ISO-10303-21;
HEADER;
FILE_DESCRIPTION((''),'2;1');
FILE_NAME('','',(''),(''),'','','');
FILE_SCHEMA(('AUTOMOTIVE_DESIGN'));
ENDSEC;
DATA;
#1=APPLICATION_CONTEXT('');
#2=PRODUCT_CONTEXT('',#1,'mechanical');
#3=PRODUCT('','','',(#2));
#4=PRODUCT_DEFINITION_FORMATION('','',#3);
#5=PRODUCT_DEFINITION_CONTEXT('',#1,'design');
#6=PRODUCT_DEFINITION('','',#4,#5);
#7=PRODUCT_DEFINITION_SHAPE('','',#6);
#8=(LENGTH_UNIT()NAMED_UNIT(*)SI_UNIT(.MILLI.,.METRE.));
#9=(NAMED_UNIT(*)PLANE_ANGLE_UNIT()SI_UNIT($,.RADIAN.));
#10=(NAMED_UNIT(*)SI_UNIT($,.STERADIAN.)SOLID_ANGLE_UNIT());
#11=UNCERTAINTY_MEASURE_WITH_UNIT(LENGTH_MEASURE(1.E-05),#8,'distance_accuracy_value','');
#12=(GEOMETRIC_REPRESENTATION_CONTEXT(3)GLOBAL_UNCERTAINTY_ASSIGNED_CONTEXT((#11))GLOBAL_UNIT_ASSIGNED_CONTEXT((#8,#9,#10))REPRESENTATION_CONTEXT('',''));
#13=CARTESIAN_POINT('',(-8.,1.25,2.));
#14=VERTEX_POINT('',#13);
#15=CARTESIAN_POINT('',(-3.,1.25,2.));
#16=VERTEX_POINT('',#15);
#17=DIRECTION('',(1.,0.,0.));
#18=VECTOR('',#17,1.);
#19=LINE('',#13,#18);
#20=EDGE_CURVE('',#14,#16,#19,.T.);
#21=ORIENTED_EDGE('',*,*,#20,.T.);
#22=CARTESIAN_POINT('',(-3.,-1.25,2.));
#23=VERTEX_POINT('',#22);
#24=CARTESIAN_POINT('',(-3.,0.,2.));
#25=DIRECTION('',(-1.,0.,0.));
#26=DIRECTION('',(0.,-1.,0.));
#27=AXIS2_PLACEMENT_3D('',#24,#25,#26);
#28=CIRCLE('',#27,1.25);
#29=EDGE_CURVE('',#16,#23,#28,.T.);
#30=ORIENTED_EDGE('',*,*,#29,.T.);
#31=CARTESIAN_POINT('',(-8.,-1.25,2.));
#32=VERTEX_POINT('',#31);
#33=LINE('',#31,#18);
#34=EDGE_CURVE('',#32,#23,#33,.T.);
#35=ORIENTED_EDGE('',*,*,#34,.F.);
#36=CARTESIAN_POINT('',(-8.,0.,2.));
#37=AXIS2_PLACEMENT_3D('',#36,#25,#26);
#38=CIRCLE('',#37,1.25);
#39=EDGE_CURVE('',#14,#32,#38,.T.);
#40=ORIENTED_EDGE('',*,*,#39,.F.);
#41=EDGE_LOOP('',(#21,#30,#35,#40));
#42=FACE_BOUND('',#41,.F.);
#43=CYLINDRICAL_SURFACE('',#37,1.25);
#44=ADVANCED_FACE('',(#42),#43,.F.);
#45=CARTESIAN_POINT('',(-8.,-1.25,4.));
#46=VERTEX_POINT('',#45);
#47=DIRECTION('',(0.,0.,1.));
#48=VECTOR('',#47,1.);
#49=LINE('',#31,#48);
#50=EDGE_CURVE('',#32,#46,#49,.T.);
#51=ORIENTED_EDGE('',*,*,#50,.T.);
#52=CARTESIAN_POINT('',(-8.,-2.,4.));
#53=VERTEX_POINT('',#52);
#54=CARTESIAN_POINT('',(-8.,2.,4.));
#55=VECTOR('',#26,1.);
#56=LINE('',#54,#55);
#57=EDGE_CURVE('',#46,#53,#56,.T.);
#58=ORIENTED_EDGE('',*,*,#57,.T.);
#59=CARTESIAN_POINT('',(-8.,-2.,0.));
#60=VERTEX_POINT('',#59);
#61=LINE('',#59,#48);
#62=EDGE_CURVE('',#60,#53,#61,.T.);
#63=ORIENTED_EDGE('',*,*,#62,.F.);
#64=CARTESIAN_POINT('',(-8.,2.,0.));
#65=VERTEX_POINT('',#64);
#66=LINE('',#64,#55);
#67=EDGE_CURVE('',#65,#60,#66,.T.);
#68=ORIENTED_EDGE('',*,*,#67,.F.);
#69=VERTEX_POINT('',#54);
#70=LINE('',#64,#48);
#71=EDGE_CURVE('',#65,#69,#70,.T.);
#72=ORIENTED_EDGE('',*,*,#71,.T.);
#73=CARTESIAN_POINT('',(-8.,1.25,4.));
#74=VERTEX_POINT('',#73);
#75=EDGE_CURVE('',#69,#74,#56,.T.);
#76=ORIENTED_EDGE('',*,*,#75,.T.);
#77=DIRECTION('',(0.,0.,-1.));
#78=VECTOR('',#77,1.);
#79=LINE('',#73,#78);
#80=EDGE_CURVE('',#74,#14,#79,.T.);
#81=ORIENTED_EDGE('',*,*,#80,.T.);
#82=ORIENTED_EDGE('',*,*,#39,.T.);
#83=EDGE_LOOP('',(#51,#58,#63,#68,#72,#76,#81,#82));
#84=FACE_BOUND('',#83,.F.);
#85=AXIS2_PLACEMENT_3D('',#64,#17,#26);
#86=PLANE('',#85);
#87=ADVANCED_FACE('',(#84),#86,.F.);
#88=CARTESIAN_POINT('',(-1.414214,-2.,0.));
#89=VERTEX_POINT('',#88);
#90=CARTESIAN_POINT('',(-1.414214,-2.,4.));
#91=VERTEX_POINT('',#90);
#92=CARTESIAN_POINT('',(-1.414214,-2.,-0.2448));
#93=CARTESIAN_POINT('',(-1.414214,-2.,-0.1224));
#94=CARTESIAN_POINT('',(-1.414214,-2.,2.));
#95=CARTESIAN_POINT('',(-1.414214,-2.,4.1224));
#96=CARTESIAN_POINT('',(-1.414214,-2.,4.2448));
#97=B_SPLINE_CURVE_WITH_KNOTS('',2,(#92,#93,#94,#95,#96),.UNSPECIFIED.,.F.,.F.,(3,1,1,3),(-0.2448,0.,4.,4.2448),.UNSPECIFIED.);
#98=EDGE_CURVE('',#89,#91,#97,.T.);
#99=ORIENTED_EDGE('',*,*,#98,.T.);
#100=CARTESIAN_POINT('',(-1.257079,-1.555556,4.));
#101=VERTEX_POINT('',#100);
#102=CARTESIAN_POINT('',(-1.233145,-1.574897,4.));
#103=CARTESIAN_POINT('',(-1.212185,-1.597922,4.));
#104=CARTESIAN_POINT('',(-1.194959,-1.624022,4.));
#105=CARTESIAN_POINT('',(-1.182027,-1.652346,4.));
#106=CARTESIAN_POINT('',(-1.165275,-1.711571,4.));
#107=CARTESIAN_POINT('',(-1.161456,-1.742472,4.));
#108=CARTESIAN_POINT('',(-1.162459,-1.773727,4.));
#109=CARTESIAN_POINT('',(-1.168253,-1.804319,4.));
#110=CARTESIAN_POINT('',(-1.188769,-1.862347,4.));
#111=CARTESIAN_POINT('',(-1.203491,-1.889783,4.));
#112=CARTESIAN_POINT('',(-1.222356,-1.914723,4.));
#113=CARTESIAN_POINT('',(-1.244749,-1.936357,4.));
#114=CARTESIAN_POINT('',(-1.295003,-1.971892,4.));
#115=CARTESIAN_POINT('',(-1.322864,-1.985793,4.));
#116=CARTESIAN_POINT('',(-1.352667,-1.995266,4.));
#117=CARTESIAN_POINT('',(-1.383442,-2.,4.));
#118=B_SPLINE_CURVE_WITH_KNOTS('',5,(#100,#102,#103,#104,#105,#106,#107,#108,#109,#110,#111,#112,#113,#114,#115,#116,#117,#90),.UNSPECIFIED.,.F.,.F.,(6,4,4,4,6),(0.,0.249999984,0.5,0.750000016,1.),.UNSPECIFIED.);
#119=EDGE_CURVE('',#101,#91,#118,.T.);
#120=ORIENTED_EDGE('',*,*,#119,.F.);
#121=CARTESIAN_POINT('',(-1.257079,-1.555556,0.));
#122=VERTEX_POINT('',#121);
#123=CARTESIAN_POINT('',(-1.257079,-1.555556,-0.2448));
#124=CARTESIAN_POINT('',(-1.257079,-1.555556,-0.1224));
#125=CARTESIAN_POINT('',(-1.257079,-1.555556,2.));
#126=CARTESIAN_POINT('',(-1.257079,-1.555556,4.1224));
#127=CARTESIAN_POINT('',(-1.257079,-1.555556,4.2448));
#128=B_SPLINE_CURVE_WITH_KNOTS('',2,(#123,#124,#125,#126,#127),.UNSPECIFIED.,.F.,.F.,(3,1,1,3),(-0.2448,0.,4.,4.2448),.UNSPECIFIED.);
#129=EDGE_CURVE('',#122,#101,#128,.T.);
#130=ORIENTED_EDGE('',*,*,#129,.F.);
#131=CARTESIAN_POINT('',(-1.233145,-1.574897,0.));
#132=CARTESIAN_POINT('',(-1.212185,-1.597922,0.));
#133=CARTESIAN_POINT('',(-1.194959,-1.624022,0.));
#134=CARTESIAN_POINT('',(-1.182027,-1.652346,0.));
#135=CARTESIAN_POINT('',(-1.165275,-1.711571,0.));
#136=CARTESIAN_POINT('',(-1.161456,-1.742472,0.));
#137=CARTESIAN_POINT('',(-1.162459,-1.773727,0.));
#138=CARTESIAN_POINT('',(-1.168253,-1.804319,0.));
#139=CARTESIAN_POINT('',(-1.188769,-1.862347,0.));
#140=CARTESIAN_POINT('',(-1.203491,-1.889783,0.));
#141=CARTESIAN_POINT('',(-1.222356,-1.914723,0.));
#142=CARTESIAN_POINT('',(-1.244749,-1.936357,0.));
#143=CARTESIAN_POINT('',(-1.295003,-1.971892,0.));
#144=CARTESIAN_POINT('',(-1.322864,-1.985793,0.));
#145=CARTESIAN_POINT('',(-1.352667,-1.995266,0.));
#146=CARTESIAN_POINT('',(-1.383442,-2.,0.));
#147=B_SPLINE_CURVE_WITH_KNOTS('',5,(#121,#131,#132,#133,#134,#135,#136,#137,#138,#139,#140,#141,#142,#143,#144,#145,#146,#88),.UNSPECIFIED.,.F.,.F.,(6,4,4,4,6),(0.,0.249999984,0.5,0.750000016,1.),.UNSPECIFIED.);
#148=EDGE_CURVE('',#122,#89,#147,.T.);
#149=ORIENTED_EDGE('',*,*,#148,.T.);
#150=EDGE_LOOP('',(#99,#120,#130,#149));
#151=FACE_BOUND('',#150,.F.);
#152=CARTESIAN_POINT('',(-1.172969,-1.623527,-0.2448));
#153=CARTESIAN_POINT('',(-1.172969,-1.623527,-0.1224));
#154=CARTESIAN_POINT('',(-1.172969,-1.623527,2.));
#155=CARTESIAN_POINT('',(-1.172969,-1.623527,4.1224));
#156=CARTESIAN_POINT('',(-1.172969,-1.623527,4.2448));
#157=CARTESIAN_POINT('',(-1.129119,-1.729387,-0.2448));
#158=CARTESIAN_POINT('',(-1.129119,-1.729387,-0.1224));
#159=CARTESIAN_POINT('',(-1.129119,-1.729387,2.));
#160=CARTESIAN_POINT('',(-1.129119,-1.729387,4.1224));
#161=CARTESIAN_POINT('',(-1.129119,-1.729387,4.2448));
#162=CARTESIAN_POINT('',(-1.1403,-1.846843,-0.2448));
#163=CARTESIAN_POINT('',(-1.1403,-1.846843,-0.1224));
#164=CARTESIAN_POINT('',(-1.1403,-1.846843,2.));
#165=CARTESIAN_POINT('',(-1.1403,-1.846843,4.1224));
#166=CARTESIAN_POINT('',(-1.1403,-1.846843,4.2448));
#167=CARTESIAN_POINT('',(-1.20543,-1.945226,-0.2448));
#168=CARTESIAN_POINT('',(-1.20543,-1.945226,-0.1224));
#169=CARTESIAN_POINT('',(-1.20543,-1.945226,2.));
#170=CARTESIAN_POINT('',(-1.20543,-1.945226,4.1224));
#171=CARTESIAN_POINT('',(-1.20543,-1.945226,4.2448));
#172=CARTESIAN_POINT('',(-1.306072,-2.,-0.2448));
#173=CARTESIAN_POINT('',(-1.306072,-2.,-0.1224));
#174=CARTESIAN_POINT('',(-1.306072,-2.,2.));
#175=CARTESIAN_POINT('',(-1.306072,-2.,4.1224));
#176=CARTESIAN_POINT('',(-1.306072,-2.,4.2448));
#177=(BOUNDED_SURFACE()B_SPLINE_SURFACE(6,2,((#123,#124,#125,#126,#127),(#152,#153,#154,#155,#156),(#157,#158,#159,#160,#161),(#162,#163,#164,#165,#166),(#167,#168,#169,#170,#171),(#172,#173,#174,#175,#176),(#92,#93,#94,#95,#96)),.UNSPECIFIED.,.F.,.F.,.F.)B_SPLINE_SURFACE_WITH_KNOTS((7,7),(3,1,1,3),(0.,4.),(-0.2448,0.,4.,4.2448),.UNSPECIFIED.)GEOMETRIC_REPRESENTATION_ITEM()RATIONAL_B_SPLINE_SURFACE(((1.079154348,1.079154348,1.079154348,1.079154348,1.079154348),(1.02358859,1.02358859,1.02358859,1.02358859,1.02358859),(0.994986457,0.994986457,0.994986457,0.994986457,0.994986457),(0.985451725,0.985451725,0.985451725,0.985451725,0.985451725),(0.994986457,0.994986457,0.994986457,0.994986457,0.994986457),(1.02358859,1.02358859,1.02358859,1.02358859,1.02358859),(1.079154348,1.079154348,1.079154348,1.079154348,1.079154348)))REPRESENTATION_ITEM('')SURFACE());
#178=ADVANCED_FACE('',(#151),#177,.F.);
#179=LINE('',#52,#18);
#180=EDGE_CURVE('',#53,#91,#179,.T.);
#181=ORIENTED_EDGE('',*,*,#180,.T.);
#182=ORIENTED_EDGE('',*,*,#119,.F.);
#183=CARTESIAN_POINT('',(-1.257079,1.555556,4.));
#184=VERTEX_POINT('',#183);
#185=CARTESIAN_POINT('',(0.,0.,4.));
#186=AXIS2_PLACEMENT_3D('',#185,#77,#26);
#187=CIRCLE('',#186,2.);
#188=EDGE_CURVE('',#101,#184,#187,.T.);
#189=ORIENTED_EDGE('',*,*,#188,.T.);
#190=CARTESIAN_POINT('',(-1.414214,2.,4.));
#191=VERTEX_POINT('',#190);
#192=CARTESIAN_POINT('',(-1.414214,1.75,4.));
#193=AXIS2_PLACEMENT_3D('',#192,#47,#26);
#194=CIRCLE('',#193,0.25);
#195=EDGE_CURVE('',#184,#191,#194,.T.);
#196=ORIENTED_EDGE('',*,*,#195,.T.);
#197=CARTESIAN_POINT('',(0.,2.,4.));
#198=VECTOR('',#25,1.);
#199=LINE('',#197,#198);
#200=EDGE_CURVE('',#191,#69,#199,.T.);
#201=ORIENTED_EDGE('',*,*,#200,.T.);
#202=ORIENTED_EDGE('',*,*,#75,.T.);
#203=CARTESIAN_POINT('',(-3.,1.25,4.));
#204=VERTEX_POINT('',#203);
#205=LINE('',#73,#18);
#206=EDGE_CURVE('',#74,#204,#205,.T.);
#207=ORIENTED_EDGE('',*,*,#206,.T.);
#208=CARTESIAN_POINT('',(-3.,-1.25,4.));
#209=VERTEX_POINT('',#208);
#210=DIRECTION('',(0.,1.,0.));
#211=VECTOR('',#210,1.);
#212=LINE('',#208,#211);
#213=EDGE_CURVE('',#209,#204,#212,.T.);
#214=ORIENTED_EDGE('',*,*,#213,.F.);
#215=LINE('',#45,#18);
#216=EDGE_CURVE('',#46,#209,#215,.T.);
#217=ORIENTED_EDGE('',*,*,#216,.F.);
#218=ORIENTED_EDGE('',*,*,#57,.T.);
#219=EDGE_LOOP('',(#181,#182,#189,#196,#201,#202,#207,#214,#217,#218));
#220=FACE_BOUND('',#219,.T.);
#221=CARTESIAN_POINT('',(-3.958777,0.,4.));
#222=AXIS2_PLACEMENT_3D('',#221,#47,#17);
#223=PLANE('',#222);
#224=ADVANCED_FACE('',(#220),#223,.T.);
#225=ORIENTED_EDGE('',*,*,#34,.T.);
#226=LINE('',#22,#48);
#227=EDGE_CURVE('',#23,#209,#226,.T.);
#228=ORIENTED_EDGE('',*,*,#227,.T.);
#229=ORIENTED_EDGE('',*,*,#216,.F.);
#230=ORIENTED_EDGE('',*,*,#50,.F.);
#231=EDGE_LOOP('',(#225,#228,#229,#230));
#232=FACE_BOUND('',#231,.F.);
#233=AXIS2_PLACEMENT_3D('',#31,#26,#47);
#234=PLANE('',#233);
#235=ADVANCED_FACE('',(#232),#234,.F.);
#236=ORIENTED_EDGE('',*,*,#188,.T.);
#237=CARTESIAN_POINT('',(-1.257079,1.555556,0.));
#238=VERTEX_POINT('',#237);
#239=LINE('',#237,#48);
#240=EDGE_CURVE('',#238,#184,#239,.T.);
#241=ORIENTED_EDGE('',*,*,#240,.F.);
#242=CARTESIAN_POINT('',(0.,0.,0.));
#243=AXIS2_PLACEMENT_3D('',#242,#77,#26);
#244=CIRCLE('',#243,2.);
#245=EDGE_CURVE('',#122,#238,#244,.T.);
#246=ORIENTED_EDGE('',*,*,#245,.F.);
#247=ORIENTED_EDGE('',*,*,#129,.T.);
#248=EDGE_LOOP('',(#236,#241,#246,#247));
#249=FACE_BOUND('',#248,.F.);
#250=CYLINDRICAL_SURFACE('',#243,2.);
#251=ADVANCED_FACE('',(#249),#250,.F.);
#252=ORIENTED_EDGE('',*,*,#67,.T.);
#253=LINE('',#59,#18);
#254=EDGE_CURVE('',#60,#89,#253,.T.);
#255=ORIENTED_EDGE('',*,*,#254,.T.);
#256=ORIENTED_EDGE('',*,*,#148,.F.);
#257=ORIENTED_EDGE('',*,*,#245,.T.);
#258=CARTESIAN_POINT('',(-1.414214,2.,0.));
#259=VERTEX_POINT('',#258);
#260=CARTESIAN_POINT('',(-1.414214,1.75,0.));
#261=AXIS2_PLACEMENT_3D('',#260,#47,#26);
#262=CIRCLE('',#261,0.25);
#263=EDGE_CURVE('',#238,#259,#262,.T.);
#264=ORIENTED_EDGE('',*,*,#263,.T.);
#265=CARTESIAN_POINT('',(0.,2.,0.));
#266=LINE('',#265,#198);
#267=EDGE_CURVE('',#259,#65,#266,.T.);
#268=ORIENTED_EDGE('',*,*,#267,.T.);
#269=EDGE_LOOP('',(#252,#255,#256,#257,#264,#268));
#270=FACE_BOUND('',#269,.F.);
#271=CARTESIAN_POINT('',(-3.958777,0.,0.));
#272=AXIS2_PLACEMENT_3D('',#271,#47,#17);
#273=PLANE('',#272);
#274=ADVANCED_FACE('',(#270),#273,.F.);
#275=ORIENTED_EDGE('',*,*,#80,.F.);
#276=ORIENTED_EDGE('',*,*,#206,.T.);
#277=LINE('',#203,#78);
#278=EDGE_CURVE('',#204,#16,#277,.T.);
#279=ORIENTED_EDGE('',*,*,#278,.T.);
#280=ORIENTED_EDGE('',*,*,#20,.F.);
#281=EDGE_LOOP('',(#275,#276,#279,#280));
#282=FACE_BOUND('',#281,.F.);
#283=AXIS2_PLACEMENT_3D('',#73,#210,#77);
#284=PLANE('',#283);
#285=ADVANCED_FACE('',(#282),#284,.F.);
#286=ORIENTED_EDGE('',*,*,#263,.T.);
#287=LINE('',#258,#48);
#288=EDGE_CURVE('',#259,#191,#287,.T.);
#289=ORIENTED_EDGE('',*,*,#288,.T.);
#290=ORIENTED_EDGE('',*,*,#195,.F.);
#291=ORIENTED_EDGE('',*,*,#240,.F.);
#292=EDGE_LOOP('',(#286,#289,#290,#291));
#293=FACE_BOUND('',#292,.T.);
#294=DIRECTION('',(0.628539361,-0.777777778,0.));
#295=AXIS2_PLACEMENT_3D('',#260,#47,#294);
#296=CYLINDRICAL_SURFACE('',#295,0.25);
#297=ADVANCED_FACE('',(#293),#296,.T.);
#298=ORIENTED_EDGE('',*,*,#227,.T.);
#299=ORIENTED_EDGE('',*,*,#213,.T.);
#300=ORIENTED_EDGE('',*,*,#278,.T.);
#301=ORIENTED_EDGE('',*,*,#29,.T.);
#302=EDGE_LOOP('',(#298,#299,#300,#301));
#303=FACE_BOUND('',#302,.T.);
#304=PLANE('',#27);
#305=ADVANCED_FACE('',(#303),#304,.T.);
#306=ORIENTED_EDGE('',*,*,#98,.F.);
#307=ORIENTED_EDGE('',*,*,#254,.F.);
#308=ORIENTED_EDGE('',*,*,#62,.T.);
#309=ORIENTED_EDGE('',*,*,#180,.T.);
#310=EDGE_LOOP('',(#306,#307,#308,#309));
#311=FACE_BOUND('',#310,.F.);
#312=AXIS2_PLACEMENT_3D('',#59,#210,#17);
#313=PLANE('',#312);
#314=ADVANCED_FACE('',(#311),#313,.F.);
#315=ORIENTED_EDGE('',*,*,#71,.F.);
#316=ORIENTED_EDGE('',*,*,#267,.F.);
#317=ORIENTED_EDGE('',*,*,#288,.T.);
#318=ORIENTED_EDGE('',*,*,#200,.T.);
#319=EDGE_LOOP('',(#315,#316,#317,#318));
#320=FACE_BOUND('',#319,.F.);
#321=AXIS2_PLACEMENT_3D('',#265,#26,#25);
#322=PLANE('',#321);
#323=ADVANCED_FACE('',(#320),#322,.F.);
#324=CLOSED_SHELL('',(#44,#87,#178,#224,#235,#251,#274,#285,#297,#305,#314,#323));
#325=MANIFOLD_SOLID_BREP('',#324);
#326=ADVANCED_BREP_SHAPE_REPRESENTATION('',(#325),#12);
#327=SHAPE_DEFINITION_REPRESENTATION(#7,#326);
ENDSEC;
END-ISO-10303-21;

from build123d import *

# Parameters (mm, degrees)
F1_DEPTH = 4
F3_DEPTH = 5
F4_R     = 0.25


with BuildPart() as f1:
    # F0 (on Top) → F1 (new body)
    with BuildSketch(Plane.XY):
        with BuildLine():
            ThreePointArc((0, -2), (-2, 0), (0, 2))
            Line((0, 2), (-8, 2))
            Line((-8, 2), (-8, -2))
            Line((-8, -2), (0, -2))
        make_face()
    extrude(amount=F1_DEPTH)

    # F2 (on face) → F3 (cut)
    with BuildSketch(Plane(origin=(-8, 0, 0), x_dir=(0, -1, 0), z_dir=(-1, 0, 0))):
        with BuildLine():
            ThreePointArc((-1.25, 2), (0, 0.75), (1.25, 2))
            ThreePointArc((1.25, 2), (0, 3.25), (-1.25, 2))
        make_face()
        with BuildLine():
            ThreePointArc((-1.25, 2), (0, 3.25), (1.25, 2))
            Line((1.25, 2), (1.25, 4))
            Line((1.25, 4), (-1.25, 4))
            Line((-1.25, 4), (-1.25, 2))
        make_face()
    extrude(amount=-F3_DEPTH, mode=Mode.SUBTRACT)

    # F4
    f4_edges = [f1.edges().sort_by_distance(p)[0] for p in [
        (0, 2, 2),
        (0, -2, 2),
    ]]
    fillet(f4_edges, radius=F4_R)


solid = f1.part
